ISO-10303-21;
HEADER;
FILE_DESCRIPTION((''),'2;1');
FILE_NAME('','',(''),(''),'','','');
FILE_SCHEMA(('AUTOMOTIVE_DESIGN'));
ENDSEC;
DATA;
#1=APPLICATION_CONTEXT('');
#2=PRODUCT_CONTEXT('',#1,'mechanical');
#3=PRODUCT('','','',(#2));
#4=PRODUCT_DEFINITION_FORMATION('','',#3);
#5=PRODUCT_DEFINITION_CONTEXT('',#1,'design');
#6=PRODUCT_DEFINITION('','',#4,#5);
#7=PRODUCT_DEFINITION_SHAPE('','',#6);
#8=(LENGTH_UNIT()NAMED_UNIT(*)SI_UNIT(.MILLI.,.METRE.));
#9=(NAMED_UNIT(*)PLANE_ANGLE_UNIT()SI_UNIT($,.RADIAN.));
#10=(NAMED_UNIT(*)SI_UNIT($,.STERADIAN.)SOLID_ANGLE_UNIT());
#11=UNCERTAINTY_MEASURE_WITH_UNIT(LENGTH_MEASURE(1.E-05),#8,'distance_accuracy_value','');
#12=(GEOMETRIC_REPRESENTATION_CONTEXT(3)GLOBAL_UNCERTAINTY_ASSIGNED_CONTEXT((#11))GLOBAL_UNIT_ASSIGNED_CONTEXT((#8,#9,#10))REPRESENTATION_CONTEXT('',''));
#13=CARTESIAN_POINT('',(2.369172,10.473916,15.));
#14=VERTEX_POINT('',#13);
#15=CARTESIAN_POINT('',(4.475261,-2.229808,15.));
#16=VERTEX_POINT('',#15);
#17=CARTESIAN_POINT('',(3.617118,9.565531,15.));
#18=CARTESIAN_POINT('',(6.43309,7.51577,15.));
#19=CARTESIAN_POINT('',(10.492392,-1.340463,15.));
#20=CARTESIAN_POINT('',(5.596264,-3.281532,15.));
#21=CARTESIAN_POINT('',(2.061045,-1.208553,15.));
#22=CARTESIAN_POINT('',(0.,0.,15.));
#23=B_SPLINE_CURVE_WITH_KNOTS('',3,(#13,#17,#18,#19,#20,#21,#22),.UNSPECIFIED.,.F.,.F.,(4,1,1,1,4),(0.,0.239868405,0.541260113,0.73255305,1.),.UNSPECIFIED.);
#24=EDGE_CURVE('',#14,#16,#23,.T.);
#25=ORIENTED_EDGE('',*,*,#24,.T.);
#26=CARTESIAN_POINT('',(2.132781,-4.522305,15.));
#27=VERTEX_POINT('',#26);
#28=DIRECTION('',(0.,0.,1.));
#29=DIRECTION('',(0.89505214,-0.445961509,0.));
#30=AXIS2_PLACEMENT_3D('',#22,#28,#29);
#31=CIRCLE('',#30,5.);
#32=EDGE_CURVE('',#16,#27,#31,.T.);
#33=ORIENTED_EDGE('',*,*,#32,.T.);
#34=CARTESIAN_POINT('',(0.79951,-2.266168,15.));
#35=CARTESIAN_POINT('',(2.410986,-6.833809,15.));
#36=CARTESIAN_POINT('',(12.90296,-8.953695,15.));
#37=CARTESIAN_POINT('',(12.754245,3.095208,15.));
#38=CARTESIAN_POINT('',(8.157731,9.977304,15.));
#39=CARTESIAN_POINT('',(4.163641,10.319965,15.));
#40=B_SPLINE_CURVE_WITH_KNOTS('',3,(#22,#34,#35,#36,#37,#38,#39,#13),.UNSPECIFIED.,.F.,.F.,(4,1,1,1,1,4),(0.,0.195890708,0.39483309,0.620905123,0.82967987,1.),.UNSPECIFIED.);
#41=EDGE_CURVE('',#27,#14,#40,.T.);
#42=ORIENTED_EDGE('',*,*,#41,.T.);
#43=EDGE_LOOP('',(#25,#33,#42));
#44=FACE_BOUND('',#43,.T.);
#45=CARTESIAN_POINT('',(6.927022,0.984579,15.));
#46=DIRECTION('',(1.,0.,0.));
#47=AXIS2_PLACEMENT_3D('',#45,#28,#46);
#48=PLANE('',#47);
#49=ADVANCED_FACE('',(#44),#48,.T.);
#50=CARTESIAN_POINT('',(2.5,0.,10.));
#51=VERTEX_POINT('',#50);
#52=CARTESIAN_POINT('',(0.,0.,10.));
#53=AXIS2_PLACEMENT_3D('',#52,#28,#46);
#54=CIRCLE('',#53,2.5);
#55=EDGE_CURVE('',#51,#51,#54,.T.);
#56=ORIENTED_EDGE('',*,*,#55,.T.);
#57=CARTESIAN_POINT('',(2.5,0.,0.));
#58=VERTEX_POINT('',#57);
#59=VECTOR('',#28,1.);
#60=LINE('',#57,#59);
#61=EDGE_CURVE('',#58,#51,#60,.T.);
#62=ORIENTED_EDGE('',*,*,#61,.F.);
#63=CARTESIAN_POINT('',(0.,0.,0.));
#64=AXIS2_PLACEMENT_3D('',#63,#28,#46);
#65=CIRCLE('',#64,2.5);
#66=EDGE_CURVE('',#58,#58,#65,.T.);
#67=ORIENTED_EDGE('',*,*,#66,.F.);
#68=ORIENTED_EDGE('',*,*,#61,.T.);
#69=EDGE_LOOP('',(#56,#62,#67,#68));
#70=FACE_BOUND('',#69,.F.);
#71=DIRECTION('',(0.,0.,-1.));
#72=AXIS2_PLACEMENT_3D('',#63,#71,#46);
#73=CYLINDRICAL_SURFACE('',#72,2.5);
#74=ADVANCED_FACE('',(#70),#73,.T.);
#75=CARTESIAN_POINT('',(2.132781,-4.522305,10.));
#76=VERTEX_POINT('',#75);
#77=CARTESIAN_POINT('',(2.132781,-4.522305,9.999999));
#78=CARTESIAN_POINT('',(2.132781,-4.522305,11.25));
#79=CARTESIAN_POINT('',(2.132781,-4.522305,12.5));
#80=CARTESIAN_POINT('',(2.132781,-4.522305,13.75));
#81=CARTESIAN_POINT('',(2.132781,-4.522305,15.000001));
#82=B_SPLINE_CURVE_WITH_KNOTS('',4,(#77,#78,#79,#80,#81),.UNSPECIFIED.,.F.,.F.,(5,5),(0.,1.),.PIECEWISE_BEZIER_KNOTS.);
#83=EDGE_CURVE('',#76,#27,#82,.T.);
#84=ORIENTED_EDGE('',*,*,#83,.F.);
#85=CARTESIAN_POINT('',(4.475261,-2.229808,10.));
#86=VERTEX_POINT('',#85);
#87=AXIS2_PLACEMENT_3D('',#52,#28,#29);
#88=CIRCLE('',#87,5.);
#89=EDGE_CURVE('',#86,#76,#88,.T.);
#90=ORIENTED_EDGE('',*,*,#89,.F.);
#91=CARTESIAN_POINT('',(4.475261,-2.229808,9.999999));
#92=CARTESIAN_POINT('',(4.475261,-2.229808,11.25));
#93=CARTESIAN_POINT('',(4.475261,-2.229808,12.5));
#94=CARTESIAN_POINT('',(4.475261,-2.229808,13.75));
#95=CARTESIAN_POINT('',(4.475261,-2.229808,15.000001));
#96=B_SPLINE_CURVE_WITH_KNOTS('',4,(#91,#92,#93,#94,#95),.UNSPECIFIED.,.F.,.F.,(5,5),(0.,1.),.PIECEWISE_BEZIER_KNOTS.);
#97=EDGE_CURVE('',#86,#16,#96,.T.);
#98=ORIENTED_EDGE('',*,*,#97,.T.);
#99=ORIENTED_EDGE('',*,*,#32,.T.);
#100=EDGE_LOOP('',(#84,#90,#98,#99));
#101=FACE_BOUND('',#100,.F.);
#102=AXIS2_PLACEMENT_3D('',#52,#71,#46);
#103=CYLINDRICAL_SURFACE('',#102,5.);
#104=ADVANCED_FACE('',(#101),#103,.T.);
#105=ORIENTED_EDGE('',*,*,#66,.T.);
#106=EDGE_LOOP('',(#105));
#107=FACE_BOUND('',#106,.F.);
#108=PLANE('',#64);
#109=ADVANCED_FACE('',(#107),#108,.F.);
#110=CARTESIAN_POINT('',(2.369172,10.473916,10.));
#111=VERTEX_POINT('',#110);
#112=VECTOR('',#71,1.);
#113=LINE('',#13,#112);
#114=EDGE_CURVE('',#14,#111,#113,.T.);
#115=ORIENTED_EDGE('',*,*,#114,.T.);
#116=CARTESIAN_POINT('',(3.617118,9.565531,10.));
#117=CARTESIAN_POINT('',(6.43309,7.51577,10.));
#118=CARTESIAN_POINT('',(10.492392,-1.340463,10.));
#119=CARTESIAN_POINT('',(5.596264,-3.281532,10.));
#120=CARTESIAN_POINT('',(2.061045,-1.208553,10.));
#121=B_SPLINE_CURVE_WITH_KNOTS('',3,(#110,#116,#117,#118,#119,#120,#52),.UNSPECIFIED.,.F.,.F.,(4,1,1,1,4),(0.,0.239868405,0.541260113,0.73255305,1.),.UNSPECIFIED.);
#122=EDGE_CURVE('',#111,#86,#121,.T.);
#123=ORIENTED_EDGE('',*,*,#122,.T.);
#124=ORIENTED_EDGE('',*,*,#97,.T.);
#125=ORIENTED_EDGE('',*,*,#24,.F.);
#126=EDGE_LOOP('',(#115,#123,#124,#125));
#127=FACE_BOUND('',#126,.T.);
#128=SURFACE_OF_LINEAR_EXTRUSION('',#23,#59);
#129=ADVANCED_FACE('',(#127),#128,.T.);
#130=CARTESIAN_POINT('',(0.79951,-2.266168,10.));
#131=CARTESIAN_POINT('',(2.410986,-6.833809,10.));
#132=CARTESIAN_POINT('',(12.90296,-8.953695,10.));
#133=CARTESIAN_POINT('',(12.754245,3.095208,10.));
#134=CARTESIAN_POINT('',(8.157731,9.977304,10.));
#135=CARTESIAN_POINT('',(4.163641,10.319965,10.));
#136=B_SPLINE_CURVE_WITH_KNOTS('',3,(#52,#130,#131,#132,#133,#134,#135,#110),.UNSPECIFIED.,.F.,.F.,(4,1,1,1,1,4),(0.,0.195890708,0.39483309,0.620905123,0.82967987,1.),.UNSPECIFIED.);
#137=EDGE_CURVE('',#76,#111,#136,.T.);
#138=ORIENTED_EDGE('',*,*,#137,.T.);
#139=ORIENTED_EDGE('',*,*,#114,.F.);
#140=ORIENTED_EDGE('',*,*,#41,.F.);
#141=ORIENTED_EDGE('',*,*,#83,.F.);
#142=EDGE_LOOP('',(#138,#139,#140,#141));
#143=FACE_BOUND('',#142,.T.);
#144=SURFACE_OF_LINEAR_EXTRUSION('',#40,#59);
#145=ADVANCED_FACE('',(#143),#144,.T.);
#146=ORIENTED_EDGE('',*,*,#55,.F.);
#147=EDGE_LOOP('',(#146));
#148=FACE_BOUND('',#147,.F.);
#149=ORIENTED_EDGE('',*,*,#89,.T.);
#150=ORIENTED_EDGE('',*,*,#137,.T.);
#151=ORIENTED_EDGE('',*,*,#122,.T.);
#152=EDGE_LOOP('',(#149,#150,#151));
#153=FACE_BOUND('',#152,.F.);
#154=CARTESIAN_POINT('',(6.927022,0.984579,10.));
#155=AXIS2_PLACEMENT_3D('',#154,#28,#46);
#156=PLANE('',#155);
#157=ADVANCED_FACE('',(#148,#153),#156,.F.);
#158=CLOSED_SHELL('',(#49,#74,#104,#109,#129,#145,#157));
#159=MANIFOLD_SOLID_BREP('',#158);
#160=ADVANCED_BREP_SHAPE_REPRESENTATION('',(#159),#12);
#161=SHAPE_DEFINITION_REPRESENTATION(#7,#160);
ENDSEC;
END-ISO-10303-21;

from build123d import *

# Parameters (mm, degrees)
F0_R     = 2.5
F1_DEPTH = 10
F2_R     = 5
F3_DEPTH = 5
F5_DEPTH = 5


with BuildPart() as f1:
    # F0 (on Top) → F1 (new body)
    with BuildSketch(Plane.XY):
        Circle(F0_R)
    extrude(amount=F1_DEPTH)

    # F2 (on face) → F3 (join)
    with BuildSketch(Plane.XY.offset(10)):
        Circle(F2_R)
    extrude(amount=F3_DEPTH)

    # F4 (on face) → F5 (join)
    with BuildSketch(Plane.XY.offset(15)):
        with BuildLine():
            add(Edge.make_bspline(
                [(2.3691724055, 10.4739163071), (3.6171175016, 9.5655306773), (6.4330903003, 7.5157696483), (10.4923916121, -1.3404631343), (5.5962643477, -3.2815315567), (2.0610451119, -1.2085534482), (0, 0)],
                knots=[0, 0, 0, 0, 0.2398684051, 0.5412601132, 0.7325530503, 1, 1, 1, 1], degree=3))
            add(Edge.make_bspline(
                [(0, 0), (0.7995101405, -2.2661683994), (2.4109855504, -6.8338085894), (12.9029598213, -8.9536947786), (12.7542446079, 3.0952083907), (8.1577313992, 9.9773043244), (4.1636412668, 10.3199652564), (2.3691724055, 10.4739163071)],
                knots=[0, 0, 0, 0, 0.1958907079, 0.3948330895, 0.6209051234, 0.8296798698, 1, 1, 1, 1], degree=3))
        make_face()
    extrude(amount=-F5_DEPTH)


solid = f1.part
